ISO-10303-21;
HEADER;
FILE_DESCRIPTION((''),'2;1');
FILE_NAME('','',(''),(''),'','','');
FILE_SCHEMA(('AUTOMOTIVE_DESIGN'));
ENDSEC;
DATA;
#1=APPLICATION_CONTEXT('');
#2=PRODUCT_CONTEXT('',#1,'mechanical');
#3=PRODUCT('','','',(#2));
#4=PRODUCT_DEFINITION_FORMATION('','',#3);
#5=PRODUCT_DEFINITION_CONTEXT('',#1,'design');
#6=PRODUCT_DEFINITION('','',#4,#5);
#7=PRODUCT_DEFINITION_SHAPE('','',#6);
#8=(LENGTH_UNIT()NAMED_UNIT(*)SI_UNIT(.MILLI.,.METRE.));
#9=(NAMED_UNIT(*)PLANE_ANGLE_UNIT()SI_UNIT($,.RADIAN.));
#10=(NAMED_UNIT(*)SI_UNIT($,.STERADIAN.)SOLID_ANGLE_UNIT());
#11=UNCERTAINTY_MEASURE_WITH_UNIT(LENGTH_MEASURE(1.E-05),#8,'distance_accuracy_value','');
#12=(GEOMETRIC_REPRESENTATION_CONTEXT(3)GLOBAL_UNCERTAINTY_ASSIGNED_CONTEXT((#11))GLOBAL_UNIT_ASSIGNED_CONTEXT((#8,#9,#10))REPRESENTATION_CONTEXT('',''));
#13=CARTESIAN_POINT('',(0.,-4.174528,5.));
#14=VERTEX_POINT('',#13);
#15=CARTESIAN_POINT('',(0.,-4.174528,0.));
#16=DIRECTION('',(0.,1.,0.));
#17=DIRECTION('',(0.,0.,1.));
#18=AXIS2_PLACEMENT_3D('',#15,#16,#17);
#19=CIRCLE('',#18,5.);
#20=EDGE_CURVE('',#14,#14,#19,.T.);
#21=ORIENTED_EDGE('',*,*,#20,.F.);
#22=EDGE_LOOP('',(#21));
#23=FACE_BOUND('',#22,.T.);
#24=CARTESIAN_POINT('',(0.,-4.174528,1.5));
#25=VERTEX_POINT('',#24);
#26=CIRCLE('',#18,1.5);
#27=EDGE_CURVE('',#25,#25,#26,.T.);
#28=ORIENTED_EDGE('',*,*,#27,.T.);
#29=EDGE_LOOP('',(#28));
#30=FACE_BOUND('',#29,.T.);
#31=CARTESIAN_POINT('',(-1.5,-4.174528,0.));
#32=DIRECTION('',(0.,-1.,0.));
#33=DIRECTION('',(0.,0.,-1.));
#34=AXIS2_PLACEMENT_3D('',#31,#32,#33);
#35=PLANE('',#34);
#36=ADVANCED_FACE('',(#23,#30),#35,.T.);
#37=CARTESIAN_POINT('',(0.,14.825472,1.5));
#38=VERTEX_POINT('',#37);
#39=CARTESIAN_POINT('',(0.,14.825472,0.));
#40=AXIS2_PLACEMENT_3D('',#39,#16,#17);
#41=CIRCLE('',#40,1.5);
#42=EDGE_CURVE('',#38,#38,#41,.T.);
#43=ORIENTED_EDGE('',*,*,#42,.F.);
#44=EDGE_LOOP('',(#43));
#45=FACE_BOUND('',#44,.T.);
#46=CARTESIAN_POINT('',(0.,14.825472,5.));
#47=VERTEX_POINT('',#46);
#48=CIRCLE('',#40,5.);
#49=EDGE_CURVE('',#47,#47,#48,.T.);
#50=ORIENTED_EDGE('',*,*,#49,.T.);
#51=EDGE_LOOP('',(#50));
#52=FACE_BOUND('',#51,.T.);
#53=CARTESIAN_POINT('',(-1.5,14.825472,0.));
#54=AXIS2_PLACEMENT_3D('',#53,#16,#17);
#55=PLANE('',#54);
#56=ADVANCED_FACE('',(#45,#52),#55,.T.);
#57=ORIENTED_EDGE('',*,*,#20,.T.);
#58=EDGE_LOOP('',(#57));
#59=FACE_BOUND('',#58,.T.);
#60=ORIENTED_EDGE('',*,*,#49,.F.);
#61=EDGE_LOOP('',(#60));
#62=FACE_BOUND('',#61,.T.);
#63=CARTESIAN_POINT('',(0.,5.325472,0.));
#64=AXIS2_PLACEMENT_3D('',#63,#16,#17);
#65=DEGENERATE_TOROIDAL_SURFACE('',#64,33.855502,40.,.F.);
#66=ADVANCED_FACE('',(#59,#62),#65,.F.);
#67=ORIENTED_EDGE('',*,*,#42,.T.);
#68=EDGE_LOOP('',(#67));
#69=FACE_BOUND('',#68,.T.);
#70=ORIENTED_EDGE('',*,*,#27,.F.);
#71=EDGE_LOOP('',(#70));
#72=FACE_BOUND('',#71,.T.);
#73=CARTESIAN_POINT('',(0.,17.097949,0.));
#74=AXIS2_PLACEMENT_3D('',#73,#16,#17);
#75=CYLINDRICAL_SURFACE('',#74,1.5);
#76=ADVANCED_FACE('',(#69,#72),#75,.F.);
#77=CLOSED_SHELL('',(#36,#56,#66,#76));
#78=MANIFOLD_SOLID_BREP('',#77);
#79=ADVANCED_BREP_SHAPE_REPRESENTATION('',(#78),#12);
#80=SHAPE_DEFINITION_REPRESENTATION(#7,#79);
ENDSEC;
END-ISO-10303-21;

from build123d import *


with BuildPart() as part:
    # 草图1 → 旋转1 (revolve)
    with BuildSketch(Plane.XY):
        with BuildLine():
            Line((-1.5, 14.825471698), (-1.5, -4.174528302))
            Line((-1.5, -4.174528302), (-5, -4.174528302))
            ThreePointArc((-5, -4.174528302), (-6.144498459, 5.325471698), (-5, 14.825471698))
            Line((-5, 14.825471698), (-1.5, 14.825471698))
        make_face()
    revolve(axis=Axis((0, 17.097948658, 0), (0, -1, 0)))


solid = part.part
